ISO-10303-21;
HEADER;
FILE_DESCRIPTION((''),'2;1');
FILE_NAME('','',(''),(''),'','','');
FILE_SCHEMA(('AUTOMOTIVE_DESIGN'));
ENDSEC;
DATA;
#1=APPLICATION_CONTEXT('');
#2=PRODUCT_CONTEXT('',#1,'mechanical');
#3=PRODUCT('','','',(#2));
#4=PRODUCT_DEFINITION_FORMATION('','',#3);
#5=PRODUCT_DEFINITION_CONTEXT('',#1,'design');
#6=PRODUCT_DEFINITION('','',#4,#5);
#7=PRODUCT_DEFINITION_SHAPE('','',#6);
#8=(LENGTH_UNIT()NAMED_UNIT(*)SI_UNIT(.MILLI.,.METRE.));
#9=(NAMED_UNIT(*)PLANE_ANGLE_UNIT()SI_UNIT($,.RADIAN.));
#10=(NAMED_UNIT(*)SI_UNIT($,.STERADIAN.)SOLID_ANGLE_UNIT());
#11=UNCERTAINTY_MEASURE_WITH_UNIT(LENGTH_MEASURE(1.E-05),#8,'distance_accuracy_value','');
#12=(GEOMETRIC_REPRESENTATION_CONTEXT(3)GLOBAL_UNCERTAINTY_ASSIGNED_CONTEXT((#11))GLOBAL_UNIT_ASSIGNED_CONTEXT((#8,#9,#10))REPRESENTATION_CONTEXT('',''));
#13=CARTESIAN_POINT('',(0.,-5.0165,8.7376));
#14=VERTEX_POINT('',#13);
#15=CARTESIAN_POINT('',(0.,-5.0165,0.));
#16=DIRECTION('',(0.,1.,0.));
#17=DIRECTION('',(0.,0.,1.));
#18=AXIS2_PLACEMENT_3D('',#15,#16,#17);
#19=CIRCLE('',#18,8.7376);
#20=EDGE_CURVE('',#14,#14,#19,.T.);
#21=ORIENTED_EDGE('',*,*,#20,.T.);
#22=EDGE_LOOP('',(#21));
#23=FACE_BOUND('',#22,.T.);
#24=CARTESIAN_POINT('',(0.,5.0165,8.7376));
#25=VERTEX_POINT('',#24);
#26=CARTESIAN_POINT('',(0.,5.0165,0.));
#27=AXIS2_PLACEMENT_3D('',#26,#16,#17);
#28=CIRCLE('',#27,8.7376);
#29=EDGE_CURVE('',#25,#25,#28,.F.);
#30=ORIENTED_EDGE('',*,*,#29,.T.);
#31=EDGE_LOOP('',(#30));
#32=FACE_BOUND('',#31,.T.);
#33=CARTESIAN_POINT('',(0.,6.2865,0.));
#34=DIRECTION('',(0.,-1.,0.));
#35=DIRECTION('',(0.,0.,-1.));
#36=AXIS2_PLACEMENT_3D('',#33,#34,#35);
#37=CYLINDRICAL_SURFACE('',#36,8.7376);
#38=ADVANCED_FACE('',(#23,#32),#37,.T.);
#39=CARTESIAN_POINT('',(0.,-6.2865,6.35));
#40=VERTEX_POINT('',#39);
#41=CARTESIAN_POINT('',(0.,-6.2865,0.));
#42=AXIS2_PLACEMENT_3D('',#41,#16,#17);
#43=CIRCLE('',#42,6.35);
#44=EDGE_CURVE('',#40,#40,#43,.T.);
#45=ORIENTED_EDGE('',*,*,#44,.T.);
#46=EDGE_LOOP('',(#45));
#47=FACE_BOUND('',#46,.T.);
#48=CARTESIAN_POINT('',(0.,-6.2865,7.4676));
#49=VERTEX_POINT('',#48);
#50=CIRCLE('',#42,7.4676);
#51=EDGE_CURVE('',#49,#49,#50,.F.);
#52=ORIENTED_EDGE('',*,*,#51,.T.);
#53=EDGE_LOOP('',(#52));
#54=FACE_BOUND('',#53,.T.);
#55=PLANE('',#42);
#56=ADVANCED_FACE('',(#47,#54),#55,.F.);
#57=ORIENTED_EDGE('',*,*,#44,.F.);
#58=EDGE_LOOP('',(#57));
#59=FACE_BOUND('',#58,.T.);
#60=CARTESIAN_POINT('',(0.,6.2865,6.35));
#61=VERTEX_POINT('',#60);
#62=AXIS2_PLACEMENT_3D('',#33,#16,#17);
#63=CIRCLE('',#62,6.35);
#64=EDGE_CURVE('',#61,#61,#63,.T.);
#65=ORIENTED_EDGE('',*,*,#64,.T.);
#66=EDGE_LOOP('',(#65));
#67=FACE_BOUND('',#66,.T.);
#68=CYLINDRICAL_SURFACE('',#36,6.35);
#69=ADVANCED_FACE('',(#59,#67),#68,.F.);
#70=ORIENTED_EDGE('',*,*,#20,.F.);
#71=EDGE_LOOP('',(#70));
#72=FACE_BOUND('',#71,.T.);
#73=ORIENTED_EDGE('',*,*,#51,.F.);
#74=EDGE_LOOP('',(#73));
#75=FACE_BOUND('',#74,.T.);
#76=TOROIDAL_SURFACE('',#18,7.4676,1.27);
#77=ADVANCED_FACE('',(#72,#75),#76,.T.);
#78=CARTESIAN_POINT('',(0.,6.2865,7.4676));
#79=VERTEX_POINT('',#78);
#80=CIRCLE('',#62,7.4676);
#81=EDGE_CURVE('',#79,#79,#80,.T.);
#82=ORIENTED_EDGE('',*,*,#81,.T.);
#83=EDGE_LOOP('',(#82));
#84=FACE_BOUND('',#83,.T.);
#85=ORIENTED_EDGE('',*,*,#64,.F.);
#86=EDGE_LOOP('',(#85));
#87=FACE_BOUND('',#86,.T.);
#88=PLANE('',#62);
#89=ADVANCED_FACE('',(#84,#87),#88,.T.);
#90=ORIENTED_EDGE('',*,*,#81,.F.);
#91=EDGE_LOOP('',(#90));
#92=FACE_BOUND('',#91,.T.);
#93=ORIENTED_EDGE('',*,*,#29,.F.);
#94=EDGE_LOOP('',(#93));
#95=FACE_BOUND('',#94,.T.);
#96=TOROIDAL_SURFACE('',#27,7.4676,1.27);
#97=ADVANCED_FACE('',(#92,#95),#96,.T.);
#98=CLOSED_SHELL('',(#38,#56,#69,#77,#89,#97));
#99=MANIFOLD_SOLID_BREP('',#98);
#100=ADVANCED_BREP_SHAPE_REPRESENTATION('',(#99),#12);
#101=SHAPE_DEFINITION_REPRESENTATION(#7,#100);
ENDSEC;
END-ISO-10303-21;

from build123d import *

# Parameters (mm, degrees)
SKETCH1_R           = 8.7376
SKETCH1_R_2         = 6.35
BOSS_EXTRUDE1_DEPTH = 6.2865
FILLET1_R           = 1.27


with BuildPart() as part:
    # Sketch1 → Boss-Extrude1 (new body, symmetric)
    with BuildSketch(Plane(origin=(0, 0, 0), x_dir=(1, 0, 0), z_dir=(0, 1, 0))):
        Circle(SKETCH1_R)
        Circle(SKETCH1_R_2, mode=Mode.SUBTRACT)
    extrude(amount=BOSS_EXTRUDE1_DEPTH, both=True)

    # Fillet1
    fillet1_edges = [part.edges().sort_by_distance(p)[0] for p in [
        (-8.7376, -6.2865, 0),
        (-8.7376, 6.2865, 0),
    ]]
    fillet(fillet1_edges, radius=FILLET1_R)


solid = part.part
